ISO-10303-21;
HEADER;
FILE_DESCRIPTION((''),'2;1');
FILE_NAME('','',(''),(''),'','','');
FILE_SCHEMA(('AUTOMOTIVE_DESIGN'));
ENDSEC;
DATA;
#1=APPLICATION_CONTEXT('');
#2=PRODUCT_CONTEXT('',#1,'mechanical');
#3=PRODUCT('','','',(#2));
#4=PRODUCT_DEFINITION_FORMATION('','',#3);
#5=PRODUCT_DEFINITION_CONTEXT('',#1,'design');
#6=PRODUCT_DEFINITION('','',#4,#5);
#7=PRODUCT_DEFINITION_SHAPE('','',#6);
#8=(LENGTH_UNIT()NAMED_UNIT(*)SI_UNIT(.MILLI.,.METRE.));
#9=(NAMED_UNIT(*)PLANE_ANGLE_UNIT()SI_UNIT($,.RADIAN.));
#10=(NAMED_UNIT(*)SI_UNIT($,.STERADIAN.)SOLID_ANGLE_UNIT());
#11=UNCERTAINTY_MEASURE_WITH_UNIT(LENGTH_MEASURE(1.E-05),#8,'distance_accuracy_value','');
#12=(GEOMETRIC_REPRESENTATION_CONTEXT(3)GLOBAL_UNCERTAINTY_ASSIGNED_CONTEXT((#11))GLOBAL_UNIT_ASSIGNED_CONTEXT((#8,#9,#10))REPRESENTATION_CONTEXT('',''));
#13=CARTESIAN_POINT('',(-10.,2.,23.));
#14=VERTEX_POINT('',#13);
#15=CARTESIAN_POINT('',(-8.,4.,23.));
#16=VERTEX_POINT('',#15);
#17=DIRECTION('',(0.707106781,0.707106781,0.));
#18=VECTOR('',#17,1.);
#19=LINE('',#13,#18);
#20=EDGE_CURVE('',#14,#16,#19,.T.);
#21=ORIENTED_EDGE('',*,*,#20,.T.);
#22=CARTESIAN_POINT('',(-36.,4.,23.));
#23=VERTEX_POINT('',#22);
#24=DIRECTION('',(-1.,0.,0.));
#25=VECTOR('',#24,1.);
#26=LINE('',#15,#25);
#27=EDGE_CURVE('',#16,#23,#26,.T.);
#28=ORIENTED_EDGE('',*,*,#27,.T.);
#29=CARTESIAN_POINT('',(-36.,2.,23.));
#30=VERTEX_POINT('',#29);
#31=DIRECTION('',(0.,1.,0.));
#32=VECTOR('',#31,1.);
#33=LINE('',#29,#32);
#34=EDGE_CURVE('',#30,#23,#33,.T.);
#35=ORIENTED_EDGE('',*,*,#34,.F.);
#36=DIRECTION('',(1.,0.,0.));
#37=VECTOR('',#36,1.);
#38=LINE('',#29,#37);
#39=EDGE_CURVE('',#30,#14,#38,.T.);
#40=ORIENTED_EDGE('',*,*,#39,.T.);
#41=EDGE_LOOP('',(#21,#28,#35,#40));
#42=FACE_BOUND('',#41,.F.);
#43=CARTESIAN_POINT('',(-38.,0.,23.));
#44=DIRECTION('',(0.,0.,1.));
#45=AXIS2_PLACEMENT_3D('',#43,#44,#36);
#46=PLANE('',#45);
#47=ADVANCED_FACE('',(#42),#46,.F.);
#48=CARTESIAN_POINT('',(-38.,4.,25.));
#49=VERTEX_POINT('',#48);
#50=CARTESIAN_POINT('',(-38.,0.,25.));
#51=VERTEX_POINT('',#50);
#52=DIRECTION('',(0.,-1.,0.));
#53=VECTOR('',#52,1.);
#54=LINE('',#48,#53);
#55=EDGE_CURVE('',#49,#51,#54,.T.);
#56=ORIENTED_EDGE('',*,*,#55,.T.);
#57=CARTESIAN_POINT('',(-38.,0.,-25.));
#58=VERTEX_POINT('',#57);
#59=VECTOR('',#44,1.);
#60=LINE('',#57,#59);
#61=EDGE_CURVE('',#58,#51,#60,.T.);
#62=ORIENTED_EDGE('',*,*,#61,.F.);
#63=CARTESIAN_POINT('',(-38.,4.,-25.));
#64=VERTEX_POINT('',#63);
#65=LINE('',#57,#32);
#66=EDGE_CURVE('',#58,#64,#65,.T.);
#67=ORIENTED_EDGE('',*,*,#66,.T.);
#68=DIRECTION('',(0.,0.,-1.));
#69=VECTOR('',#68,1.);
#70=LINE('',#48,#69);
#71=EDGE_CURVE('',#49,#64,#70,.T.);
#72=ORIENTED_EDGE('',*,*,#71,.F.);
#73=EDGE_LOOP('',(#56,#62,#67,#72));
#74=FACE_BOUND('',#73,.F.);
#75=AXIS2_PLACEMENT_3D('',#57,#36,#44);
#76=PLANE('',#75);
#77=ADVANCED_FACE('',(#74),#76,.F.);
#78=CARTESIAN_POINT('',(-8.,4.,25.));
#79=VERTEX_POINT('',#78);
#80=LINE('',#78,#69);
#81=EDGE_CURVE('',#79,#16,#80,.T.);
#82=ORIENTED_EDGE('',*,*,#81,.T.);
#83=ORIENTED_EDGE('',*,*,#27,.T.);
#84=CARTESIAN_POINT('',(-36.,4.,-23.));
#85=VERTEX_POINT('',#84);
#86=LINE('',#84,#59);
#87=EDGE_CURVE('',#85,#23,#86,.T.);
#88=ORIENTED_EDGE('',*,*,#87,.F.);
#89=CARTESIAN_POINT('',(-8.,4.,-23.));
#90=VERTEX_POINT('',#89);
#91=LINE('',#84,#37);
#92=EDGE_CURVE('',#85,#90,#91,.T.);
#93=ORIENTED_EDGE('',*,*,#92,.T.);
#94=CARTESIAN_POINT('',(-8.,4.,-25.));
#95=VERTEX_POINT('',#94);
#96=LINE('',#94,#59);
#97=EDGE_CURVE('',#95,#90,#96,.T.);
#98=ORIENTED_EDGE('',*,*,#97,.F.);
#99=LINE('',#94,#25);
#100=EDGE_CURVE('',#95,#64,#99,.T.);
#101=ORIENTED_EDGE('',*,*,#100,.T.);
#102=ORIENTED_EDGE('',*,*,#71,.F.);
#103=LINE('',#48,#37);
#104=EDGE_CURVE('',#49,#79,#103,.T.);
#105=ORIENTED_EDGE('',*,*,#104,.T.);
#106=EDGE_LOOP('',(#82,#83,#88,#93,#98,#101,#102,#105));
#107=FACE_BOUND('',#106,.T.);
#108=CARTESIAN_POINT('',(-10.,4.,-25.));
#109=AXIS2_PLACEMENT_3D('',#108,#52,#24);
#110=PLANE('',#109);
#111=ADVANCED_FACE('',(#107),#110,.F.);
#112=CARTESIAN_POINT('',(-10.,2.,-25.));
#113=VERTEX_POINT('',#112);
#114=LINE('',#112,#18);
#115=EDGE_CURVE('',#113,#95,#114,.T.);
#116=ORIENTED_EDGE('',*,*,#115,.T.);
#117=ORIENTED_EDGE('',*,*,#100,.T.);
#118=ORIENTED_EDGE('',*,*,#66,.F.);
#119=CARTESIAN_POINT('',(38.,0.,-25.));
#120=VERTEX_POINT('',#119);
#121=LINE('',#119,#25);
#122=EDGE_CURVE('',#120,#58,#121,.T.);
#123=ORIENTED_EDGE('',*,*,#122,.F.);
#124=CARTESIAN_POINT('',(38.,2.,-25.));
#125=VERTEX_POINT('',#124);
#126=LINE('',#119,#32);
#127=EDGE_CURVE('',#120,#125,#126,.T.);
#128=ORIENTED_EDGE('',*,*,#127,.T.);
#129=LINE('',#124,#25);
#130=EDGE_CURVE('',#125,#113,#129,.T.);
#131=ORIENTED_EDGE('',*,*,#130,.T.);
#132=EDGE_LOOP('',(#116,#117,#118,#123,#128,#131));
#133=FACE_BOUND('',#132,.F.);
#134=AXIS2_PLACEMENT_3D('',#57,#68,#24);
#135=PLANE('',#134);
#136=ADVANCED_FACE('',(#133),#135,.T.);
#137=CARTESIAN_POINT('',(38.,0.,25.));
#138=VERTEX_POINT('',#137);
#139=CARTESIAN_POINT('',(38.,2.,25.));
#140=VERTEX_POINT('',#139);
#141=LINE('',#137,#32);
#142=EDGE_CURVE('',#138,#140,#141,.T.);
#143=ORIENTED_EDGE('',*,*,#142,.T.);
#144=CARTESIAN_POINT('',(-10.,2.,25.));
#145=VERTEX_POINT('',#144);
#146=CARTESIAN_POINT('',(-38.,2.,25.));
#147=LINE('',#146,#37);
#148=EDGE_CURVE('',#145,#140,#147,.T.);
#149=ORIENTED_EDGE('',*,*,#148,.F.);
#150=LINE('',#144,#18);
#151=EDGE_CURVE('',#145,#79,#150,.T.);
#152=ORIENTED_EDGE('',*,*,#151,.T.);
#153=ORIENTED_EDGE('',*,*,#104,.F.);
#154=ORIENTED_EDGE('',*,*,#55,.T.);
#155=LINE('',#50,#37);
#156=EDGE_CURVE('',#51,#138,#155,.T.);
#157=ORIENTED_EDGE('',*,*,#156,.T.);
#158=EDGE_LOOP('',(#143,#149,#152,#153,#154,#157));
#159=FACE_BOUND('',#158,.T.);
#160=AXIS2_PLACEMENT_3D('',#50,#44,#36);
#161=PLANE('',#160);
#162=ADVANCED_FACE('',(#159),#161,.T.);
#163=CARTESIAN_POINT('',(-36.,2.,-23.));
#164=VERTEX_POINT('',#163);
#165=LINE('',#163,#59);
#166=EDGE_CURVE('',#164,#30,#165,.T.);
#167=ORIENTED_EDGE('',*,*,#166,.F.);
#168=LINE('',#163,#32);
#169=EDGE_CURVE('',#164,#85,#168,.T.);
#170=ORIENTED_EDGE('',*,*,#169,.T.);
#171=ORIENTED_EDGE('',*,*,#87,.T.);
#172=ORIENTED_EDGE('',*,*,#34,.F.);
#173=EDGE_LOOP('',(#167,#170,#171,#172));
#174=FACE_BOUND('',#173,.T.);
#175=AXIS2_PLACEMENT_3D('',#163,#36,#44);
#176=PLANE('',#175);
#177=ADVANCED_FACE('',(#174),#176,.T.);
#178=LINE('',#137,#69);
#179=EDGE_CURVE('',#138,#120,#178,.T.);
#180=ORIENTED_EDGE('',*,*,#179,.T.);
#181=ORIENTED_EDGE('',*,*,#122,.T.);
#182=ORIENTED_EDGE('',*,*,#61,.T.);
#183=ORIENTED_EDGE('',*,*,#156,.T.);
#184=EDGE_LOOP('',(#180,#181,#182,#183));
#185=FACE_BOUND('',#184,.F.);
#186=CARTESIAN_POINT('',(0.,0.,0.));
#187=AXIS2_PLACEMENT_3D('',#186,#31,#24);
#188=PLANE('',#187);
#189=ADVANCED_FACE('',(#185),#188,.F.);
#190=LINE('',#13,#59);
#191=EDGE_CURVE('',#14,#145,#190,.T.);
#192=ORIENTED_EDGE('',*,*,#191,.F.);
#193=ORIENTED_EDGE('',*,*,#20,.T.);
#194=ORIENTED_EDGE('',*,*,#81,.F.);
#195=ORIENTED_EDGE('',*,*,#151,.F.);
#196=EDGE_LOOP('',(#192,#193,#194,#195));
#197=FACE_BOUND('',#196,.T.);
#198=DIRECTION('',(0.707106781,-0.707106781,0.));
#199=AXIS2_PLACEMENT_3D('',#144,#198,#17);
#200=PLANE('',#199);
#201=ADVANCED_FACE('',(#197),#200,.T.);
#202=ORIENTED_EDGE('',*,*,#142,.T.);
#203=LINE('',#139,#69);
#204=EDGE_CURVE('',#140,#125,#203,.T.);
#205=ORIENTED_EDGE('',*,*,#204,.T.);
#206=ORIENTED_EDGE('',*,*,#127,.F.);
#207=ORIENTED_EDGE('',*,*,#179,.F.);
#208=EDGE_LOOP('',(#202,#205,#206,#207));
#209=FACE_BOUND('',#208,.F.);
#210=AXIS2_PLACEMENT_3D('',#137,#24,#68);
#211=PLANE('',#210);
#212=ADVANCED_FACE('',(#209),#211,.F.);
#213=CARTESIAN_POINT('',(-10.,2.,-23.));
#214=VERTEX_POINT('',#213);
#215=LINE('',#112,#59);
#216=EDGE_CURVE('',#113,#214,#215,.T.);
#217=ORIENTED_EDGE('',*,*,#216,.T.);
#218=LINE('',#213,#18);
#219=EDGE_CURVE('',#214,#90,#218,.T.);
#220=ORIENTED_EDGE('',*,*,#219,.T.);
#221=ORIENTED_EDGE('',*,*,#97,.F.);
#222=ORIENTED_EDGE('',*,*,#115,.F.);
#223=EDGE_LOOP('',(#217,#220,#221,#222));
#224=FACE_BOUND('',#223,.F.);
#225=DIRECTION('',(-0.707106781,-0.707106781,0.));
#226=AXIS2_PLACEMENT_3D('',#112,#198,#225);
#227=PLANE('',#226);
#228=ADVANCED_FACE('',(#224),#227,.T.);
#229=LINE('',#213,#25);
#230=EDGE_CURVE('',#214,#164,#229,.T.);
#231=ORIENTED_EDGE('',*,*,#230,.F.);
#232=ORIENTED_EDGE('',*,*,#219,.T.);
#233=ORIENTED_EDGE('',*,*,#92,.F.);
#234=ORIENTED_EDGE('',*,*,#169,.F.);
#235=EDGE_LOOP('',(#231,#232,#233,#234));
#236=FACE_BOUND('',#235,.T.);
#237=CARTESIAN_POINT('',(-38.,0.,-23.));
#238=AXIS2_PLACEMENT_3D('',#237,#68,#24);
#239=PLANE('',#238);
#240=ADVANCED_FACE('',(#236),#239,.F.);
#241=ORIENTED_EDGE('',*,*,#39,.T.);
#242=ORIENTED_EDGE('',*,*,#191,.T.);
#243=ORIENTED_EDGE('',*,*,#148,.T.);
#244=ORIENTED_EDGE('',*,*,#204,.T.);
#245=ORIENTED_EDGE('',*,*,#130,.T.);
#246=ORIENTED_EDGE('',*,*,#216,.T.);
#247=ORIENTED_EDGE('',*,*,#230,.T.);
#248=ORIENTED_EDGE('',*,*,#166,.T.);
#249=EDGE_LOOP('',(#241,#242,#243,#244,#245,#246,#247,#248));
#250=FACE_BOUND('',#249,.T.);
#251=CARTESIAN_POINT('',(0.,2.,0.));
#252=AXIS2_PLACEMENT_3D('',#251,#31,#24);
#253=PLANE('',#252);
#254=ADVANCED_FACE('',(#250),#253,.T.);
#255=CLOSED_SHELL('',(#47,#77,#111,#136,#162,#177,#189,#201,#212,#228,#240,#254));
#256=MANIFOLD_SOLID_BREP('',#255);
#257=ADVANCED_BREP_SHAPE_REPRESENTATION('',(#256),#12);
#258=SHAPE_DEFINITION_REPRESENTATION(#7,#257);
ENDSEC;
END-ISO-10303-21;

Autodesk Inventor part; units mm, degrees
ref_plane "YZ Plane" through (0, 0, 0) normal (1, 0, 0) x (0, 1, 0)
ref_plane "XZ Plane" through (0, 0, 0) normal (0, 1, 0) x (-1, 0, 0)
ref_plane "XY Plane" through (0, 0, 0) normal (0, 0, 1) x (1, 0, 0)
sketch "Boceto1" plane through (0, 0, 0) normal (0, 1, 0) x (-1, 0, 0)
  line L0 (-38, -25) -> (38, -25)
  line L1 (38, -25) -> (38, 25)
  line L2 (38, 25) -> (-38, 25)
  line L3 (-38, 25) -> (-38, -25)
  line L4 (-38, -25) -> (38, 25) construction
  line L5 (38, -25) -> (-38, 25) construction
  point P0 (0, 0)
  dimension "d0" = 76
  dimension "d1" = 50
extrude "Extrusión1" add sketch "Boceto1" along normal blind 2
sketch "Boceto2" plane through (0, 2, 0) normal (0, 1, 0) x (1, 0, 0)
  line L0 (38, 25) -> (-38, 25) projected
  line L1 (-38, -25) -> (-10, -25)
  line L2 (-38, -25) -> (38, -25) projected
  line L3 (-38, -25) -> (-38, 25)
  line L4 (-38, 25) -> (-10, 25)
  line L5 (-10, 23) -> (-36, 23)
  line L6 (-36, 23) -> (-36, -23)
  line L7 (-36, -23) -> (-10, -23)
  line L8 (-10, 25) -> (-10, 23)
  line L9 (-10, -23) -> (-10, -25)
  point P0 (0, 0)
  point P1 (0, 25)
  dimension "d14" = 2
extrude "Extrusión4" add sketch "Boceto2" along normal blind 2
sketch "Boceto5" plane through (-38, 0, 25) normal (0, 0, 1) x (1, 0, 0)
  line L0 (28, 2) -> (28, 4) projected
  line L1 (28, 4) -> (28, 2)
  line L2 (76, 2) -> (28, 2) projected
  line L3 (28, 2) -> (30, 4)
  line L4 (28, 2) -> (32.2548, 2) construction
  line L5 (28, 4) -> (30, 4)
  point P0 (38, 0)
extrude "Extrusión5" add sketch "Boceto5" against normal blind 2
mirror "Simetría2" about plane through (0, 0, 0) normal (0, 0, 1) of "Extrusión5"
properties part number "Mirror"
